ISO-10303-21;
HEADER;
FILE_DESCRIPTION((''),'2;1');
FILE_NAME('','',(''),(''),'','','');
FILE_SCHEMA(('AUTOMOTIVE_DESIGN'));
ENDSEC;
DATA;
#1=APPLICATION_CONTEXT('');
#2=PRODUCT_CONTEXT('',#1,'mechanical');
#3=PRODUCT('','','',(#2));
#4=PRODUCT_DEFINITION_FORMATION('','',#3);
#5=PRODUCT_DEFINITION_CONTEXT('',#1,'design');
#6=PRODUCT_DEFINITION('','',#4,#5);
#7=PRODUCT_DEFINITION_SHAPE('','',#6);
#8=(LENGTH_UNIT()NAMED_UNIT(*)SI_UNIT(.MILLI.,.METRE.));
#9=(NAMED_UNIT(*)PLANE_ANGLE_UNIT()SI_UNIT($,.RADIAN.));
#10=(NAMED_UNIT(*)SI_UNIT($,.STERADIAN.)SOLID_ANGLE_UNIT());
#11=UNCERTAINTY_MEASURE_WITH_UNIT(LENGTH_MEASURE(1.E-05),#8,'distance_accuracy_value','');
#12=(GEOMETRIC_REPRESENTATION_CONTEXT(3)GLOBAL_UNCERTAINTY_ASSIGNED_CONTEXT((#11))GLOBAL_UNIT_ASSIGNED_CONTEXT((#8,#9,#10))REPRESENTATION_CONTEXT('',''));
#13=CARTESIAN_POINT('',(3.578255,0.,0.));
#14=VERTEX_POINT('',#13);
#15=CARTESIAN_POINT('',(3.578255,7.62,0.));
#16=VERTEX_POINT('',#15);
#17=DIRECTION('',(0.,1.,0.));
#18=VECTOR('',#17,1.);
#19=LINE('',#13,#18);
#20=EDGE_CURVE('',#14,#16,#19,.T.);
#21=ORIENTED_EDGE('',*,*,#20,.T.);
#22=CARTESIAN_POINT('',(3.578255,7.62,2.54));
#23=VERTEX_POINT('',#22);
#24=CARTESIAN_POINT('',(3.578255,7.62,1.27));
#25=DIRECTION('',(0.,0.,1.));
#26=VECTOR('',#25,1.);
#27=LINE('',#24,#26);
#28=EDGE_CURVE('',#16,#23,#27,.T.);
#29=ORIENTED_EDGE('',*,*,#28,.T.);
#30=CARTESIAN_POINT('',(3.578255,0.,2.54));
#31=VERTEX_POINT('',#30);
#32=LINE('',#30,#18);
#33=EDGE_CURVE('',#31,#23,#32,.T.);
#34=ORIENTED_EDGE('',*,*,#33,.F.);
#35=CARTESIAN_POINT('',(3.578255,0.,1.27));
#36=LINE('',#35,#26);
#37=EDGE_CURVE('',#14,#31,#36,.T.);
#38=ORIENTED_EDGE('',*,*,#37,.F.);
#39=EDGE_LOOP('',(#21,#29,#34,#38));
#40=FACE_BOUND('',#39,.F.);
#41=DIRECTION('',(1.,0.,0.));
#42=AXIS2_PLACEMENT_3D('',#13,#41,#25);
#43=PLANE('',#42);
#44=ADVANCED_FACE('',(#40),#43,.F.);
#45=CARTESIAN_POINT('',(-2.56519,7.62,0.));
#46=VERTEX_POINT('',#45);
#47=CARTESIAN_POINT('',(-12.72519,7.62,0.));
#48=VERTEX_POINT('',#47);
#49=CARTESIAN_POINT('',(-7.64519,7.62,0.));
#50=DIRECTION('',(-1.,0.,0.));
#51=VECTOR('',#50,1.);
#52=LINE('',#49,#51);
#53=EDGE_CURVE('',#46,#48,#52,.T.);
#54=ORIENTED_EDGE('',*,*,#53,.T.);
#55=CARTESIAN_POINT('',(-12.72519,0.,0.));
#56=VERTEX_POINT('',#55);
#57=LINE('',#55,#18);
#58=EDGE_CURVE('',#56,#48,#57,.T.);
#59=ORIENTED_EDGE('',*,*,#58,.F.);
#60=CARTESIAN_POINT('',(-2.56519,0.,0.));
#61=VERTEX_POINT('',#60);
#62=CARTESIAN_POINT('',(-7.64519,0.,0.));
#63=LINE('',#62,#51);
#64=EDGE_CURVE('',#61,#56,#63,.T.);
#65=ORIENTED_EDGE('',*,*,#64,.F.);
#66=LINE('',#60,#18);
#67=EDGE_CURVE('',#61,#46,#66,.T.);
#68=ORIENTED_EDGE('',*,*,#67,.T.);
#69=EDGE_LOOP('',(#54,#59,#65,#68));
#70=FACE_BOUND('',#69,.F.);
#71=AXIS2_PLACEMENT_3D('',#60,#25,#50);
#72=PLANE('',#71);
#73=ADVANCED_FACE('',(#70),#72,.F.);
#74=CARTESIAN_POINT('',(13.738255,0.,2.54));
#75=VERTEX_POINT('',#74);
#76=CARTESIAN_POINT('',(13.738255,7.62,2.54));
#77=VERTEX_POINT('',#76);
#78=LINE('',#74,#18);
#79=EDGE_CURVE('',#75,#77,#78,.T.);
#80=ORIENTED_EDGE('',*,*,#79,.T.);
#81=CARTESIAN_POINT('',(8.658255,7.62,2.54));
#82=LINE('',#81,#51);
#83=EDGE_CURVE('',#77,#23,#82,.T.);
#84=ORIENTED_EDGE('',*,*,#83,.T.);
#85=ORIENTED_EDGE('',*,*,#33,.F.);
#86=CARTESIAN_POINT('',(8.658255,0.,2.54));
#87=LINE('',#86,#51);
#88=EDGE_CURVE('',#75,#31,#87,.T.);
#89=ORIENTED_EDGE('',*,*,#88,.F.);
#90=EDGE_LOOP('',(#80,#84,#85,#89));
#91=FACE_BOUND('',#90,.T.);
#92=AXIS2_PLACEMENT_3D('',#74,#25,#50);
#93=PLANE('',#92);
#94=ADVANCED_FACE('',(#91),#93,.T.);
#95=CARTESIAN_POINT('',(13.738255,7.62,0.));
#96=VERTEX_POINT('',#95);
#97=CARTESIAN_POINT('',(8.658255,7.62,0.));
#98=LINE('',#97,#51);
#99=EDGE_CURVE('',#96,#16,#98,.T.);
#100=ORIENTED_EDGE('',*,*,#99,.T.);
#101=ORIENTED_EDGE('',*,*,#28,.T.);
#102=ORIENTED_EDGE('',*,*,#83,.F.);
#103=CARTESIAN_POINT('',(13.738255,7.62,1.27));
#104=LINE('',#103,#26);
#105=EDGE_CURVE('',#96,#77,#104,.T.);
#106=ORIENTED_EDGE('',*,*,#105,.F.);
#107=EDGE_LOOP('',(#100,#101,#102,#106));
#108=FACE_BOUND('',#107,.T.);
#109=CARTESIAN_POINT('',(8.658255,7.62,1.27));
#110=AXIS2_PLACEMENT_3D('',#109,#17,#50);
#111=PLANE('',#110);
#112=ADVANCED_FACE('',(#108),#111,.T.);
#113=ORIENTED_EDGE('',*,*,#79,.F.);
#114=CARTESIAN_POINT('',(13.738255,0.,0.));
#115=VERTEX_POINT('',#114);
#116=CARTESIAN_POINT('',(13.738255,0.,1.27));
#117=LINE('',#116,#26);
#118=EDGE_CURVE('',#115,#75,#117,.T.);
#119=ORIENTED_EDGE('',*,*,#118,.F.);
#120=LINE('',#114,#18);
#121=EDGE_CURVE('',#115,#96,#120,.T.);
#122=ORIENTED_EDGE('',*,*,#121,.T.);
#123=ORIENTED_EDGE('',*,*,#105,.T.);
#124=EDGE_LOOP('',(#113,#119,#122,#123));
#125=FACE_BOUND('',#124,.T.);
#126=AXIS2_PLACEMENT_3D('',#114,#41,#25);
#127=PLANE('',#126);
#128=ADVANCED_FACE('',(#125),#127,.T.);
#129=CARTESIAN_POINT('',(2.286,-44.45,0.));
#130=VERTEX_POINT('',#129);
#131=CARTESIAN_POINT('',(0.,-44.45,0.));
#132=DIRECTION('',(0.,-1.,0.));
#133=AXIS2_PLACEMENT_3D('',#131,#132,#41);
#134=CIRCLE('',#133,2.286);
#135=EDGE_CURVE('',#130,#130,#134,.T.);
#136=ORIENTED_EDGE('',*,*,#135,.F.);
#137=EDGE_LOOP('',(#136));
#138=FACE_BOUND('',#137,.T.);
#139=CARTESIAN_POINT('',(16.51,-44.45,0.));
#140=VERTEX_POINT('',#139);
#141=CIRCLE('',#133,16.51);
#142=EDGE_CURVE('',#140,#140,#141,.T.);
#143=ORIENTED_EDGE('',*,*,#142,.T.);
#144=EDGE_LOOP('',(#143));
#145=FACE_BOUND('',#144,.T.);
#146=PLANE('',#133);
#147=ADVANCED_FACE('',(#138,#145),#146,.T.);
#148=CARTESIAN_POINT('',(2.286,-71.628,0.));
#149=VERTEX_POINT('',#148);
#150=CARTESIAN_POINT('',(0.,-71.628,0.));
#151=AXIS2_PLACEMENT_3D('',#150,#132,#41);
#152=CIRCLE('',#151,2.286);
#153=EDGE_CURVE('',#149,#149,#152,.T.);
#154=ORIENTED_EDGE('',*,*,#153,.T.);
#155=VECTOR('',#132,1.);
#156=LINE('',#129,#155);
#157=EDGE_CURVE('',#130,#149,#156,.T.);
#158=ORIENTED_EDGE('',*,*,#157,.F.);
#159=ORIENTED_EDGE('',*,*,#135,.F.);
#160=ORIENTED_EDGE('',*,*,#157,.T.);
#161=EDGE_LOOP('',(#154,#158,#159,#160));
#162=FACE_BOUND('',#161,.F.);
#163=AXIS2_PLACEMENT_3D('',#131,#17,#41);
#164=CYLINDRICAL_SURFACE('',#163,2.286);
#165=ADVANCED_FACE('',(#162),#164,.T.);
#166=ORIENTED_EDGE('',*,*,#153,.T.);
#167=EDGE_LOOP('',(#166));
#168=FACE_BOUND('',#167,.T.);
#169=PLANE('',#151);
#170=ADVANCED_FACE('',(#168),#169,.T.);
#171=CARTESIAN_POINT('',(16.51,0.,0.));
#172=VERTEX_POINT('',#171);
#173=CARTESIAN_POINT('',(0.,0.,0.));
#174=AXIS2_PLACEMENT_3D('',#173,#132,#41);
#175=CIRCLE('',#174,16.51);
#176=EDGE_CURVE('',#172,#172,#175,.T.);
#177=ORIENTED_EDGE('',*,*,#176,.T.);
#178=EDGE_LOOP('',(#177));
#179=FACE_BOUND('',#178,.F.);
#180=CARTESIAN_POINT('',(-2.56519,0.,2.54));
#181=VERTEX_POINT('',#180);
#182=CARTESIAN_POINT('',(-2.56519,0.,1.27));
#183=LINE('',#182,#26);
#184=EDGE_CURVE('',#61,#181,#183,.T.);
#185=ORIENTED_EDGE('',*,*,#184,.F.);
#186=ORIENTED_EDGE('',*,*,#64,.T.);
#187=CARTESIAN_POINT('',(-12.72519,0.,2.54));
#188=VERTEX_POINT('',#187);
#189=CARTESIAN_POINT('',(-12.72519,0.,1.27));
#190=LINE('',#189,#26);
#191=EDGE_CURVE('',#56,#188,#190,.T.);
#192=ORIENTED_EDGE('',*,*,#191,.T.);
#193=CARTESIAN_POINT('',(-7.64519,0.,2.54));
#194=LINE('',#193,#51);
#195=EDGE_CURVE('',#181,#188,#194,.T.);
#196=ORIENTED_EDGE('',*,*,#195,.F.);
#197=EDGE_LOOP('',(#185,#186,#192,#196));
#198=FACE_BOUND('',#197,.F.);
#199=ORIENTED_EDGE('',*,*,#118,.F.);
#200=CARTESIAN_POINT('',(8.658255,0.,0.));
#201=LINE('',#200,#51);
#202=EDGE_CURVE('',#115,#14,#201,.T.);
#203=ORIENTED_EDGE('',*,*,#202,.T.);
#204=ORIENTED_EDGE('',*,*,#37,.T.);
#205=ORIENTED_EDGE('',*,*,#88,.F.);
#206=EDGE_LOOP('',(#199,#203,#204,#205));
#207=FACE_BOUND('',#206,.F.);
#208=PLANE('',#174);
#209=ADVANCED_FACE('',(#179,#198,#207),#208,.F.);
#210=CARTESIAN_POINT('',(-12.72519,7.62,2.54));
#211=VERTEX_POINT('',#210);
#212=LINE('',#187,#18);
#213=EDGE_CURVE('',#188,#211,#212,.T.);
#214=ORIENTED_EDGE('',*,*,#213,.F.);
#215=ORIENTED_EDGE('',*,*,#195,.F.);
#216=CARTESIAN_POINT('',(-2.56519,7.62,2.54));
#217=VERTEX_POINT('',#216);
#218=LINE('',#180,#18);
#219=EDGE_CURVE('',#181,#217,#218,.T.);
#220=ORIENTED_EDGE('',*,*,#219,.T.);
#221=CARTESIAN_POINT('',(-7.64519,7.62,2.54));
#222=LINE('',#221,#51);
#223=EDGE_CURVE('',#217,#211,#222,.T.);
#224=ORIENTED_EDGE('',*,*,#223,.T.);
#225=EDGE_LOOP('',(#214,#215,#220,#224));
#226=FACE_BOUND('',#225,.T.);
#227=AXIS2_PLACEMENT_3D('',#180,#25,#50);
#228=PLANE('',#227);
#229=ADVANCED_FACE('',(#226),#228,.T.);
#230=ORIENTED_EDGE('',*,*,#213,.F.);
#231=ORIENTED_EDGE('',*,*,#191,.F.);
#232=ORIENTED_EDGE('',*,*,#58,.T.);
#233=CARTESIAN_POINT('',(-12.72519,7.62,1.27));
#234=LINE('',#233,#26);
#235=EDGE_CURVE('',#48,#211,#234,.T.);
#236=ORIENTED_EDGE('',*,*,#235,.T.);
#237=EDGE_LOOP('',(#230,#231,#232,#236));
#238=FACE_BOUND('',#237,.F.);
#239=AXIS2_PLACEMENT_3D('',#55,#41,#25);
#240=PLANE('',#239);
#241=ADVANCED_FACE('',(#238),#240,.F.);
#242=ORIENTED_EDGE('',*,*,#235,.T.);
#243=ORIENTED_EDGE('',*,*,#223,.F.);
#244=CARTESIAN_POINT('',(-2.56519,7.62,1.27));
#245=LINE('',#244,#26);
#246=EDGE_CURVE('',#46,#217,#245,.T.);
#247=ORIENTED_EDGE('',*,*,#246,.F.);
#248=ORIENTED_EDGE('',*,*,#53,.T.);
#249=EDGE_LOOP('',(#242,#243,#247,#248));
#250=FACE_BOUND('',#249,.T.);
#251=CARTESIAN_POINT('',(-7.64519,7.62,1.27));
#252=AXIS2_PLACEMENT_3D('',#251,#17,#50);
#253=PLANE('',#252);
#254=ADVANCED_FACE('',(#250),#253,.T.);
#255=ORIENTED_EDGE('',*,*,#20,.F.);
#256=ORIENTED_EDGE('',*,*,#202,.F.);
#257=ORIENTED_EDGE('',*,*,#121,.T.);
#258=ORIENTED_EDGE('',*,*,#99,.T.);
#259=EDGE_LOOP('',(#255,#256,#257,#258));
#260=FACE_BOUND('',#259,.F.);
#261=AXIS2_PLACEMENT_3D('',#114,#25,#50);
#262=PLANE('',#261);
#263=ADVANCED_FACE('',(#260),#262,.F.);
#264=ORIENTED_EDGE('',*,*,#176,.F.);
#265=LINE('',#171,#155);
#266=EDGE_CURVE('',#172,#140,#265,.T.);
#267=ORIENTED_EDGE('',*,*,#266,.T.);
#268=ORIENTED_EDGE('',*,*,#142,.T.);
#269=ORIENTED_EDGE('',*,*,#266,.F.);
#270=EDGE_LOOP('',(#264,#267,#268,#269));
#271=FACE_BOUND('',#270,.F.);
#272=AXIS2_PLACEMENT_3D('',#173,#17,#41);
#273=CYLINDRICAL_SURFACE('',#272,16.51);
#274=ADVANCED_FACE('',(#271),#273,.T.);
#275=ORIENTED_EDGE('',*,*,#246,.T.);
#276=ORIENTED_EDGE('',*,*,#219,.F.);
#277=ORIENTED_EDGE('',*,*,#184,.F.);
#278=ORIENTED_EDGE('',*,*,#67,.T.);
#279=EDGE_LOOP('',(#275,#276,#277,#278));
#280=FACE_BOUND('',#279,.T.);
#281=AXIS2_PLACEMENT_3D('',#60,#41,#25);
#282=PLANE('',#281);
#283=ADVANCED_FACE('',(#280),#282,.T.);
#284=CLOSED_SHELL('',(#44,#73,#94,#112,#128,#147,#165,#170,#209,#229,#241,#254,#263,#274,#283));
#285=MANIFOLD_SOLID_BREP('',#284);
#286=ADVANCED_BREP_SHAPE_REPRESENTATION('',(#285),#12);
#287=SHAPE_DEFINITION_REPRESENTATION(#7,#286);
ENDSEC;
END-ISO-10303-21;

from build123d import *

# Parameters (mm, degrees)
F0_R     = 16.51
F1_DEPTH = 44.45
F2_R     = 2.286
F3_DEPTH = 27.178
F4_W     = 10.16
F4_H     = 2.54
F5_DEPTH = 7.62


with BuildPart() as f1:
    # F0 (on Front) → F1 (new body)
    with BuildSketch(Plane.XZ):
        Circle(F0_R)
    extrude(amount=F1_DEPTH)

    # F2 (on face) → F3 (join)
    with BuildSketch(Plane.XZ.offset(44.45)):
        Circle(F2_R)
    extrude(amount=F3_DEPTH)

    # F4 (on face) → F5 (join)
    with BuildSketch(Plane(origin=(0, 0, 0), x_dir=(-1, 0, 0), z_dir=(0, 1, 0))):
        with Locations((-8.658255, 1.27)):
            Rectangle(F4_W, F4_H)
        with Locations((7.64519, 1.27)):
            Rectangle(F4_W, F4_H)
    extrude(amount=F5_DEPTH)


solid = f1.part
